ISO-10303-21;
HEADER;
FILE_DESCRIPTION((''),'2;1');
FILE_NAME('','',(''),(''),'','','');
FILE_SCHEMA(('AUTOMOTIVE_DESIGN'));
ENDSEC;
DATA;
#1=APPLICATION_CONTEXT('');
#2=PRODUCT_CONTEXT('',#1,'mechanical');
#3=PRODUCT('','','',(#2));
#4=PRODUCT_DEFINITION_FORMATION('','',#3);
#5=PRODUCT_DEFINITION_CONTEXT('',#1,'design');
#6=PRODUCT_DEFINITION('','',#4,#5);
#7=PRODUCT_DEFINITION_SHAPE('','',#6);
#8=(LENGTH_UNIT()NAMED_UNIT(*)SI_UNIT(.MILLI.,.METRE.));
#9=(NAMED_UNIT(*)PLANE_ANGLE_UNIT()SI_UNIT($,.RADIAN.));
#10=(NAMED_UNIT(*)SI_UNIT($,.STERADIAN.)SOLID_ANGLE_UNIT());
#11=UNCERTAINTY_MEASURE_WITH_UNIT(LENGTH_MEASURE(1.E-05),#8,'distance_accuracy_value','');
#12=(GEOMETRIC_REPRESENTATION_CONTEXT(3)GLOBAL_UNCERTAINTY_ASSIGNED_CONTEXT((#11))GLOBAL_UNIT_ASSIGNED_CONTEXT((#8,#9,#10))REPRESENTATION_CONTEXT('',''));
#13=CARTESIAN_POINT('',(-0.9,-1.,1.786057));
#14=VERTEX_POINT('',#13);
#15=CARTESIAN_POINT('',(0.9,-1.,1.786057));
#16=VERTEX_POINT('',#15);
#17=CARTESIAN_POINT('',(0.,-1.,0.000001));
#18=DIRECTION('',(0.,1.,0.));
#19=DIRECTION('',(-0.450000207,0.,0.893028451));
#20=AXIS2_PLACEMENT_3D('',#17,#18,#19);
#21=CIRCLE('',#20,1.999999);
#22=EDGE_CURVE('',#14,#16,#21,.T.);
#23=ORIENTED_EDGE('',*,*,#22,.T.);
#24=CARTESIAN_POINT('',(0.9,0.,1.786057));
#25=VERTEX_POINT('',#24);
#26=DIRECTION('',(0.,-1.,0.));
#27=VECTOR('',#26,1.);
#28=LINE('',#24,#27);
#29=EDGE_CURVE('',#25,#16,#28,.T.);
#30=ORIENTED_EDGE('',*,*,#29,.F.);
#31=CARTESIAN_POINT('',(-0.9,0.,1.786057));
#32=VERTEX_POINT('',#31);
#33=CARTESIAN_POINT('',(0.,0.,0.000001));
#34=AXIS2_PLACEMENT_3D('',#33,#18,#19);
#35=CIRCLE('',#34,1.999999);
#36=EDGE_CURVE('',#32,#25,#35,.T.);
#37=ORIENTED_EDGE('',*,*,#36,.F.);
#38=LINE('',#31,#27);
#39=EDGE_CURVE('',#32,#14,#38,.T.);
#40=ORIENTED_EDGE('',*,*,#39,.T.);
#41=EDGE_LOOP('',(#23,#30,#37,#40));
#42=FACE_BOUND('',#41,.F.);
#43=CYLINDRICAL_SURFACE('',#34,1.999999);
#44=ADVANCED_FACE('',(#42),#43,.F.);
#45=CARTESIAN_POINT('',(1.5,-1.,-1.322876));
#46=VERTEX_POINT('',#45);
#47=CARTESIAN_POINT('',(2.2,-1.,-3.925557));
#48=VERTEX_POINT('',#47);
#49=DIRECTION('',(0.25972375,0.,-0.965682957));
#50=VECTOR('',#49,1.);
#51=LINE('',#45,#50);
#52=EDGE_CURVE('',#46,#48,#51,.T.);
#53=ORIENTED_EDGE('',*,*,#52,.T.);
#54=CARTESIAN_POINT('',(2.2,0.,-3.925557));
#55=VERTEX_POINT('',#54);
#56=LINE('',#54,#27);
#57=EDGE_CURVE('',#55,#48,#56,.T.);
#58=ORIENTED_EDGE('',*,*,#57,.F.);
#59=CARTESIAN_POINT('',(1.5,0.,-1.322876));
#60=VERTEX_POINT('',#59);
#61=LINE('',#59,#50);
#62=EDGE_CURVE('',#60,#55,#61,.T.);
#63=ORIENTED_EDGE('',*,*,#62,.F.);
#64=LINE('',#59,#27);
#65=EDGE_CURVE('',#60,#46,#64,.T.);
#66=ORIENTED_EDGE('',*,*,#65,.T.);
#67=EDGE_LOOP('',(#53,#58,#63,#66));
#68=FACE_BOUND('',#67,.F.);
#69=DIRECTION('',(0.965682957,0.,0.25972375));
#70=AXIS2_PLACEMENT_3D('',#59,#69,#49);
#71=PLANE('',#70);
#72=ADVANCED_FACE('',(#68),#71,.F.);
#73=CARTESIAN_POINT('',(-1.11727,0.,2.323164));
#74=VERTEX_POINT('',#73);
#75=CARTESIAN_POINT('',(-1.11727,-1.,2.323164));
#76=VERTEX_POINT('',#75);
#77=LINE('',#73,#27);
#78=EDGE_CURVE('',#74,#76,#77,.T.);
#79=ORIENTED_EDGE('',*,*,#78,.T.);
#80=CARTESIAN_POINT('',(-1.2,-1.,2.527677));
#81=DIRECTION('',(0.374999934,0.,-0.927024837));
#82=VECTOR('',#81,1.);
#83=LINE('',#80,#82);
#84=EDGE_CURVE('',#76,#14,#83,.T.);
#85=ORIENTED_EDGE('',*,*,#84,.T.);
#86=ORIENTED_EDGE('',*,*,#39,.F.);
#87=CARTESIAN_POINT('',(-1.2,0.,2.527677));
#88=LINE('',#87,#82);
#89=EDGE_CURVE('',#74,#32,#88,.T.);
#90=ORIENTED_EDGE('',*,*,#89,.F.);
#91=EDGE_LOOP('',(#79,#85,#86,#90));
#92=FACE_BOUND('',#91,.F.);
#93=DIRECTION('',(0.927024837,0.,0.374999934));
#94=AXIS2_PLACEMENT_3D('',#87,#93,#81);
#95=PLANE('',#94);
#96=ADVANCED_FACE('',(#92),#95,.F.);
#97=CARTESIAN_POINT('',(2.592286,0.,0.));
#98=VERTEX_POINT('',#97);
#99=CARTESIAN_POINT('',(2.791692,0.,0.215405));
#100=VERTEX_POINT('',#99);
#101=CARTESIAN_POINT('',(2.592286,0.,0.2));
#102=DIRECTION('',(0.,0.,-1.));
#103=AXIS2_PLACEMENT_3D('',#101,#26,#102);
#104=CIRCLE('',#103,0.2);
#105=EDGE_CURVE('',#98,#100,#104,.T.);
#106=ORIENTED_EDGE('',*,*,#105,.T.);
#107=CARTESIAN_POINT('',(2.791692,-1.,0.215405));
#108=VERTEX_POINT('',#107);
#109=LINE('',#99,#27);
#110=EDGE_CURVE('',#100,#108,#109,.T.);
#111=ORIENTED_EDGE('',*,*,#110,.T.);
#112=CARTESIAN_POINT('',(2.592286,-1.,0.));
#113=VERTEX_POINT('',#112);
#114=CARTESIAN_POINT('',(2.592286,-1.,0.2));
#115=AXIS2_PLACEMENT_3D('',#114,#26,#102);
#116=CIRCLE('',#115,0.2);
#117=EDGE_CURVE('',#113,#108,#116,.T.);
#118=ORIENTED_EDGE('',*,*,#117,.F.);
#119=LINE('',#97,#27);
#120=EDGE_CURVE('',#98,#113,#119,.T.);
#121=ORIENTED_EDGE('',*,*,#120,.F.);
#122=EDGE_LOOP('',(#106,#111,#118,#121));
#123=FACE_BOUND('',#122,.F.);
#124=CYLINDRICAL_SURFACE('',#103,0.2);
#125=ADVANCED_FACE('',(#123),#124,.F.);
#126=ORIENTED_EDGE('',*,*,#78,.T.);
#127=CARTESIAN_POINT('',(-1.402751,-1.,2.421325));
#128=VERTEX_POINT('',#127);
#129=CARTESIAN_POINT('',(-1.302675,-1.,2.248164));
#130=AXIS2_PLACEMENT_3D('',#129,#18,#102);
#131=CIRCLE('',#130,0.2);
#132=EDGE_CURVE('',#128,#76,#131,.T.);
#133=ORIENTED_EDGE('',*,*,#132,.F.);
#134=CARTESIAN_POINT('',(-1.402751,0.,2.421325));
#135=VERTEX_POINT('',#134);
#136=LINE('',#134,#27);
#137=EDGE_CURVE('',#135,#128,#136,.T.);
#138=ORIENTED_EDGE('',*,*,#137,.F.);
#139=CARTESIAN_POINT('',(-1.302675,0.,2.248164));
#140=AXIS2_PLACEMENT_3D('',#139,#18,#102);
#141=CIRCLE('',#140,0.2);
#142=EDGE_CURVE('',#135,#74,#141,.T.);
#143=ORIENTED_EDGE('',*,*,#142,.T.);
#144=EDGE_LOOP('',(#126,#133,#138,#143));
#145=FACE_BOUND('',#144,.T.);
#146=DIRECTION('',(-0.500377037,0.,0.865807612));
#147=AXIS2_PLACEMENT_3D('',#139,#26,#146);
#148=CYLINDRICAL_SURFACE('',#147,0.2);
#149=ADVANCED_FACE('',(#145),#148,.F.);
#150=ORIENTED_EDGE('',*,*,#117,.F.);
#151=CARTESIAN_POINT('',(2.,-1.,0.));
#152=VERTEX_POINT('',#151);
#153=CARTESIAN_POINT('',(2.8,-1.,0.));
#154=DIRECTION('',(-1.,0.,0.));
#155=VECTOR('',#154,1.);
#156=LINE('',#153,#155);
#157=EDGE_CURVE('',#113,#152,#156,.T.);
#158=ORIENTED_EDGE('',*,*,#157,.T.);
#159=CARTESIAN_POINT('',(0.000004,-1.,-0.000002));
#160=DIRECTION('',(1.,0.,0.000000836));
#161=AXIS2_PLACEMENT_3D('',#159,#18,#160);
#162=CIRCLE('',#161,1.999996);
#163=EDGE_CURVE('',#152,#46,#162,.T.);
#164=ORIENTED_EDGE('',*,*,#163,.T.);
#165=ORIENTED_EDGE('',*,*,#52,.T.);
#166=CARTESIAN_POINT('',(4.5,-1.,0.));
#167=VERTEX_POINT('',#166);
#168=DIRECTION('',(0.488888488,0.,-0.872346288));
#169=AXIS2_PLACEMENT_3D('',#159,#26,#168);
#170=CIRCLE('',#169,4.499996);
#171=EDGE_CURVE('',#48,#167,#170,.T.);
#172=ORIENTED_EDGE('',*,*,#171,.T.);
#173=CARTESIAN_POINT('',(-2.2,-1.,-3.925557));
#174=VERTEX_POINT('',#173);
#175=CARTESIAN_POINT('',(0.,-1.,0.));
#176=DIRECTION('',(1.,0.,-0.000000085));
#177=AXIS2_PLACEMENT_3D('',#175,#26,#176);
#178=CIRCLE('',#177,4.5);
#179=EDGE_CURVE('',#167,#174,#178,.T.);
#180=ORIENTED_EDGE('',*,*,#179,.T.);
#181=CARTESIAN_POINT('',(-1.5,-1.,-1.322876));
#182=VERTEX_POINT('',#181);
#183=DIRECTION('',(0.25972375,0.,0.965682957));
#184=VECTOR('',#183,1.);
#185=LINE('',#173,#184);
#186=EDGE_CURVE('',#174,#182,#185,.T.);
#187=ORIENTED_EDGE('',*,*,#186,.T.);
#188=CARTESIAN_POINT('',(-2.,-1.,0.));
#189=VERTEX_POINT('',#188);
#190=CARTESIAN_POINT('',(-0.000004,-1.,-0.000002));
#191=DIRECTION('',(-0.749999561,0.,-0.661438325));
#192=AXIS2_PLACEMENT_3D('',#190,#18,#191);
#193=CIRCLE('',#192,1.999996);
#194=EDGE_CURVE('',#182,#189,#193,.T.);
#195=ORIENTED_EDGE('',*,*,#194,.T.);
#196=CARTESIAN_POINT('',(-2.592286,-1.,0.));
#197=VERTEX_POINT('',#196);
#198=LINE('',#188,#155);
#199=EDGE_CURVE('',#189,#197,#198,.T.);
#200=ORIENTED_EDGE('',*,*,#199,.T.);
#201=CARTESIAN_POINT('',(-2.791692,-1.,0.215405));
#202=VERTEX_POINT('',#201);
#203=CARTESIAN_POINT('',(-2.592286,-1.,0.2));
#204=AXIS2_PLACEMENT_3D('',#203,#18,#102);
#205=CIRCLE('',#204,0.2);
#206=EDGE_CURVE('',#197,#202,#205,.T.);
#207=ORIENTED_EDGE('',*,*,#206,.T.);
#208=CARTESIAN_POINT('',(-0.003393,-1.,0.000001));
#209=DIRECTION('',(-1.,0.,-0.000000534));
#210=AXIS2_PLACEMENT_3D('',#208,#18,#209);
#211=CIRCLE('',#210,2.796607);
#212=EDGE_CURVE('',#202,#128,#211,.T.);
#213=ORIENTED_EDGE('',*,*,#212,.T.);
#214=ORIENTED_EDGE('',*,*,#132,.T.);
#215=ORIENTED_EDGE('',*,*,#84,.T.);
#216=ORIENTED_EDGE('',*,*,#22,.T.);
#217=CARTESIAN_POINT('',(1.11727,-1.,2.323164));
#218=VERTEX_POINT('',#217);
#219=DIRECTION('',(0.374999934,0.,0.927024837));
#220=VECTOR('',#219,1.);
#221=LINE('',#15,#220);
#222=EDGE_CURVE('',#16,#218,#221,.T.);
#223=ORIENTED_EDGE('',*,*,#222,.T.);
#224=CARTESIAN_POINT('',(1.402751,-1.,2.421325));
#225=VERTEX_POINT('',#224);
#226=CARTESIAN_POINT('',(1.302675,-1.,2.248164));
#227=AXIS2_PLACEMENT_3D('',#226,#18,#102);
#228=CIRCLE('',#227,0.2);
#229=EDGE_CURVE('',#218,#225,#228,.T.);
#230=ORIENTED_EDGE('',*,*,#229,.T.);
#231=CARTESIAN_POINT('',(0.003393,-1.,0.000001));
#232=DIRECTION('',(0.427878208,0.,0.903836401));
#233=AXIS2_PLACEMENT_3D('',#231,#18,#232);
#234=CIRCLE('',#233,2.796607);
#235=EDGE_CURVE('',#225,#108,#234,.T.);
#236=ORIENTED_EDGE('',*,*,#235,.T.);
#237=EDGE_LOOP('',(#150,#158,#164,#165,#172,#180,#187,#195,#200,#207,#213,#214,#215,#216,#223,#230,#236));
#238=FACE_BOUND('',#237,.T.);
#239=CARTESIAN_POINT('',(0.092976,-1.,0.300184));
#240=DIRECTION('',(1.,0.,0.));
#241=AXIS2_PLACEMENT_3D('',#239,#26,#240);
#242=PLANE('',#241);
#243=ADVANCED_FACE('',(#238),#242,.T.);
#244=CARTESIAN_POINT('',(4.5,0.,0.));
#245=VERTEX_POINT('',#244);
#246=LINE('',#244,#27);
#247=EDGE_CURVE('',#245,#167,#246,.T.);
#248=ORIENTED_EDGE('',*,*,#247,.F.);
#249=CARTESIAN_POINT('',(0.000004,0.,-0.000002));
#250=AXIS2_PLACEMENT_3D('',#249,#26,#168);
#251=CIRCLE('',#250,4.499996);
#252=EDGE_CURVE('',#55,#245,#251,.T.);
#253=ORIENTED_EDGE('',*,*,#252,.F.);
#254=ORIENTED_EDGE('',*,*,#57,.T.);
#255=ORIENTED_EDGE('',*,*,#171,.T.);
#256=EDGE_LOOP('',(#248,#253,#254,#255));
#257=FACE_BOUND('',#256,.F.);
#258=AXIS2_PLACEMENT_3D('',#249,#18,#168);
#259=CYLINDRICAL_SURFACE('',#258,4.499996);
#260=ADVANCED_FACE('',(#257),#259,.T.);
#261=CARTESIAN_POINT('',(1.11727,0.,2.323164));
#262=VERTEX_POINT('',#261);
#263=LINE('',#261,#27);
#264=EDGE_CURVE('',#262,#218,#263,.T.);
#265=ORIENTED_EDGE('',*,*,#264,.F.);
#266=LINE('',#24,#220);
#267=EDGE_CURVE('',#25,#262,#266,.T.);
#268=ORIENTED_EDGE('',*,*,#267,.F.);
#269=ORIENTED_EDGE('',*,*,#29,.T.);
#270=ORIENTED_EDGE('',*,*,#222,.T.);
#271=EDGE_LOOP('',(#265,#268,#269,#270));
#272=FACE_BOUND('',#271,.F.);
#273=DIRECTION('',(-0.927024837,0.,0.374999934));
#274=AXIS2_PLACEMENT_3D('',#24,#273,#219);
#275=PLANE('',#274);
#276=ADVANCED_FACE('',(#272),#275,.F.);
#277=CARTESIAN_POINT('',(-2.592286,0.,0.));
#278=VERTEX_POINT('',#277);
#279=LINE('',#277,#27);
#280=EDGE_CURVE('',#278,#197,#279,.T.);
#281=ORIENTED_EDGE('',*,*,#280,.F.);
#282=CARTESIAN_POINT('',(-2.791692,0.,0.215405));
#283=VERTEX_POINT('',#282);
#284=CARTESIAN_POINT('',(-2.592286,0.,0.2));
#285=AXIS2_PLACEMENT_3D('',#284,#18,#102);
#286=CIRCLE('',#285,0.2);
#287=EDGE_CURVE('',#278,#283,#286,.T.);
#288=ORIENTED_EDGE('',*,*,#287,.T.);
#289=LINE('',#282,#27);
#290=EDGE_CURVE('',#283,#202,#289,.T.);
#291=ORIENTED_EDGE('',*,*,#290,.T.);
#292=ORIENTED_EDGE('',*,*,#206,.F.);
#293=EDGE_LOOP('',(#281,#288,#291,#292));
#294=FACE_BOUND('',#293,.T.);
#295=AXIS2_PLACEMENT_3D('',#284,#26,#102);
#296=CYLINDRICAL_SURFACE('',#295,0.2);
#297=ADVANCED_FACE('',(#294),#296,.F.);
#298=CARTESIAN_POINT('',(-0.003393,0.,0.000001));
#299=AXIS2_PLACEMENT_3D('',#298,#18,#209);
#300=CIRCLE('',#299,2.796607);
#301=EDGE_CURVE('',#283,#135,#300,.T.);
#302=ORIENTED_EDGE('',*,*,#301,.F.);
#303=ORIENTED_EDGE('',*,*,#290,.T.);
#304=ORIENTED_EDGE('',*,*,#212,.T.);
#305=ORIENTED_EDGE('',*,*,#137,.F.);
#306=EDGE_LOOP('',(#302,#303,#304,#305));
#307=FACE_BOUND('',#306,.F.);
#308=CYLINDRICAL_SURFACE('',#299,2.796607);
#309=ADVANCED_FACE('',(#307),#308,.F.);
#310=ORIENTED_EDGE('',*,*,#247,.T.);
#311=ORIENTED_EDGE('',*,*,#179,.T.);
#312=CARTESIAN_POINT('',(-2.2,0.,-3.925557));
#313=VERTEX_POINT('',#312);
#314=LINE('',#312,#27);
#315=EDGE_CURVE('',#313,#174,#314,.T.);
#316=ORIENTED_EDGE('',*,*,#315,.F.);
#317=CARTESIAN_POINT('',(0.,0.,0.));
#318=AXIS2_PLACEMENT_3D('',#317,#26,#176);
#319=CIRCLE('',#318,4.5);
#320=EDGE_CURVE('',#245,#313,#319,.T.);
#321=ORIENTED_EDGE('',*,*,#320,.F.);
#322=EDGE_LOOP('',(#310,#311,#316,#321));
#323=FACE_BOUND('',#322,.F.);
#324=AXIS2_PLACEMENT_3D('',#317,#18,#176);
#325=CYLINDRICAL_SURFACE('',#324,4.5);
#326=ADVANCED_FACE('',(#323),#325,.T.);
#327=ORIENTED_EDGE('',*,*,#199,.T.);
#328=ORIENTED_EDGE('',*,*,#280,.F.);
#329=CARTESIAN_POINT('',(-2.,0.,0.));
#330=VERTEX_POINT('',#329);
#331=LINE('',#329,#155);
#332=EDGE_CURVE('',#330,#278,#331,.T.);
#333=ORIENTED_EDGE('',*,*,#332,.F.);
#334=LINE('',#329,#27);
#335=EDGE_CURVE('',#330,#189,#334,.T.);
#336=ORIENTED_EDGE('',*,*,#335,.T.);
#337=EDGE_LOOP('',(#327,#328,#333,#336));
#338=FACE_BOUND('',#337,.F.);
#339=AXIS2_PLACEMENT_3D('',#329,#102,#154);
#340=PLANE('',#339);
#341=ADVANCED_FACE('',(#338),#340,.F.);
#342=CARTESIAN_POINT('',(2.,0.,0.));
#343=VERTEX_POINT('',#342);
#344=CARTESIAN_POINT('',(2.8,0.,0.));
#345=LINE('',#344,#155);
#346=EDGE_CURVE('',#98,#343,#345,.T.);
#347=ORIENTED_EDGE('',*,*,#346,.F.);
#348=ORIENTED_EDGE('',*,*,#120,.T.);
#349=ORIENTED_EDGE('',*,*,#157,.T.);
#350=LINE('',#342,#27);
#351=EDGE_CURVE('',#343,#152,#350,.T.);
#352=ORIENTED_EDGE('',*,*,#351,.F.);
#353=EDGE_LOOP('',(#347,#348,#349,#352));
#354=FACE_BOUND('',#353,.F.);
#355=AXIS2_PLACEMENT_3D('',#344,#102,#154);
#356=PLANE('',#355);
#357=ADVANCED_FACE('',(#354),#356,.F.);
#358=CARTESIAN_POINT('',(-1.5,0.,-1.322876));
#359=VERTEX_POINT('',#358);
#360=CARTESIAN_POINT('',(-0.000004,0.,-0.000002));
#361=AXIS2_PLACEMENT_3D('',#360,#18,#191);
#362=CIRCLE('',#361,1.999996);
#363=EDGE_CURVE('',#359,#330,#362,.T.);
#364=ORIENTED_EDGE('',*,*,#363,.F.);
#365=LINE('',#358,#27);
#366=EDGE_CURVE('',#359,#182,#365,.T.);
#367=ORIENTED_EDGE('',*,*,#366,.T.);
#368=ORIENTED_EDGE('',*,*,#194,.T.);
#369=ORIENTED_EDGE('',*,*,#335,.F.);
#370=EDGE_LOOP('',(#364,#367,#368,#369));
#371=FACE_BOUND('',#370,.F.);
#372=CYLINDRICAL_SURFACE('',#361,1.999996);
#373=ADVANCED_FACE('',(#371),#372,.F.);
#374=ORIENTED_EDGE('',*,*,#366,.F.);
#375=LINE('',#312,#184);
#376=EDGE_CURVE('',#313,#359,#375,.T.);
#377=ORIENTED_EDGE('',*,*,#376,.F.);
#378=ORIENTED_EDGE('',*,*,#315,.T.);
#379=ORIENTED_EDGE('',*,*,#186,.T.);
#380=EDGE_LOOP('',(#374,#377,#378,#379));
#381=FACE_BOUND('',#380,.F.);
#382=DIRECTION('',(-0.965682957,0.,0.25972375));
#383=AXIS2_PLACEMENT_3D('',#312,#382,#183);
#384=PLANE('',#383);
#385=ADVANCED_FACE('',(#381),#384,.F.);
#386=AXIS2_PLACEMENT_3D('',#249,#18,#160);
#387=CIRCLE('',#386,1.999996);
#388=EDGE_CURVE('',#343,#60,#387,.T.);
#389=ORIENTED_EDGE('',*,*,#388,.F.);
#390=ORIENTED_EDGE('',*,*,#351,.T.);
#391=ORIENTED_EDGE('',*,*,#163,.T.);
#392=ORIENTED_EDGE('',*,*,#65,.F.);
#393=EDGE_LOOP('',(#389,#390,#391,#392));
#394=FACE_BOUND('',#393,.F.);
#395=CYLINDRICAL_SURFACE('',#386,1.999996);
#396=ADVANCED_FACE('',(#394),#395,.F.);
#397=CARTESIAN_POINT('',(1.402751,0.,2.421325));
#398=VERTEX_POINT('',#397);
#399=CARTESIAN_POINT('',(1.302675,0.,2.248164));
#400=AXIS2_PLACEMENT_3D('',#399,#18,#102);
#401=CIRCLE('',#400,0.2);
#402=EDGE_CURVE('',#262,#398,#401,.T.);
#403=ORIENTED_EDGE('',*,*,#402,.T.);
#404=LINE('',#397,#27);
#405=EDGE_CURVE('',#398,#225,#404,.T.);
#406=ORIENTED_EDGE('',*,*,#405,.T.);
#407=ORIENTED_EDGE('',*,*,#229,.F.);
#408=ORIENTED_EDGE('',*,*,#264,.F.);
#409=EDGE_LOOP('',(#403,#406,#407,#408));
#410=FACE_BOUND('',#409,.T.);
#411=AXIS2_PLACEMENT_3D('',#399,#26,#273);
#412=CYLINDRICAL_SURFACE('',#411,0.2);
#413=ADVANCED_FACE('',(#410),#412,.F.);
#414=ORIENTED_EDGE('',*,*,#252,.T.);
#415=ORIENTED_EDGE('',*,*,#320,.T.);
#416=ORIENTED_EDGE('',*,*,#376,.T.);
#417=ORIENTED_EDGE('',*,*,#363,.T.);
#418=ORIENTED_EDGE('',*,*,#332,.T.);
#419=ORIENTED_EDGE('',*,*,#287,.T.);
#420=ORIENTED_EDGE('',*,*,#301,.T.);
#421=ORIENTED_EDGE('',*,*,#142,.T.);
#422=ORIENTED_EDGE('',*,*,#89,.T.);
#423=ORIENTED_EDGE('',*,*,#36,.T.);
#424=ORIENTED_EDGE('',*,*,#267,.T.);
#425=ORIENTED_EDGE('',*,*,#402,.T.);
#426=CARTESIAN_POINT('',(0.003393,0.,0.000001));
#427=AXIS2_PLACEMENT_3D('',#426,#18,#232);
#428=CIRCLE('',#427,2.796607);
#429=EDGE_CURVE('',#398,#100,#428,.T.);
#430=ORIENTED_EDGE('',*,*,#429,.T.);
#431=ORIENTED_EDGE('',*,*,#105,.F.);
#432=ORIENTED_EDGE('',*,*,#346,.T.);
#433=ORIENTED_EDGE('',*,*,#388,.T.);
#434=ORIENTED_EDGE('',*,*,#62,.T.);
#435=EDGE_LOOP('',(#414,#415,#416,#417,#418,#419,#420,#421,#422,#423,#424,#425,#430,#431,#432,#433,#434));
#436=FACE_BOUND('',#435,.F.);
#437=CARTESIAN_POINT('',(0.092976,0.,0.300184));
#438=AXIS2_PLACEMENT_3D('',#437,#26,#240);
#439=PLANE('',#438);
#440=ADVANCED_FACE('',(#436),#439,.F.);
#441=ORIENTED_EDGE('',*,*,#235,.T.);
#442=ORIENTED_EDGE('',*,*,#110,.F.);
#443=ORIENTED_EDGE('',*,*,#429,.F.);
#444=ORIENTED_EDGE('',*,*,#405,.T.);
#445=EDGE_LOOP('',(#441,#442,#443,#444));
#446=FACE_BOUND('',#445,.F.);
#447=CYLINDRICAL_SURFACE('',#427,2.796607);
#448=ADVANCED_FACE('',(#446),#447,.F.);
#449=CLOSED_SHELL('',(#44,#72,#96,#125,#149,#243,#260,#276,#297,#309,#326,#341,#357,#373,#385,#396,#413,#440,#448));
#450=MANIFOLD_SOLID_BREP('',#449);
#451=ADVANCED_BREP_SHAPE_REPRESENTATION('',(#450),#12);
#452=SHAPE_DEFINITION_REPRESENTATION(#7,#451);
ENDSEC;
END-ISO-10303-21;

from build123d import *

# Parameters (mm, degrees)
F1_DEPTH = 1
F2_R     = 0.2


with BuildPart() as f1:
    # F0 (on Front) → F1 (new body)
    with BuildSketch(Plane.XZ):
        with BuildLine():
            Line((2.8, 0), (2, 0))
            ThreePointArc((2, 0), (1.870829, -0.707107), (1.5, -1.322876))
            Line((1.5, -1.322876), (2.2, -3.925557))
            ThreePointArc((2.2, -3.925557), (3.882654, -2.274863), (4.5, 0))
            ThreePointArc((4.5, 0), (-2.274863, 3.882654), (-2.2, -3.925557))
            Line((-2.2, -3.925557), (-1.5, -1.322876))
            ThreePointArc((-1.5, -1.322876), (-1.870829, -0.707107), (-2, 0))
            Line((-2, 0), (-2.8, 0))
            ThreePointArc((-2.8, 0), (-2.366384, 1.495757), (-1.2, 2.527677))
            Line((-1.2, 2.527677), (-0.9, 1.786057))
            ThreePointArc((-0.9, 1.786057), (0, 2), (0.9, 1.786057))
            Line((0.9, 1.786057), (1.2, 2.527677))
            ThreePointArc((1.2, 2.527677), (2.366384, 1.495757), (2.8, 0))
        make_face()
    extrude(amount=F1_DEPTH)

    # F2
    f2_edges = [f1.edges().sort_by_distance(p)[0] for p in [
        (-1.2, -0.5, 2.527677),
        (1.2, -0.5, 2.527677),
        (2.8, -0.5, 0),
        (-2.8, -0.5, 0),
    ]]
    fillet(f2_edges, radius=F2_R)


solid = f1.part
